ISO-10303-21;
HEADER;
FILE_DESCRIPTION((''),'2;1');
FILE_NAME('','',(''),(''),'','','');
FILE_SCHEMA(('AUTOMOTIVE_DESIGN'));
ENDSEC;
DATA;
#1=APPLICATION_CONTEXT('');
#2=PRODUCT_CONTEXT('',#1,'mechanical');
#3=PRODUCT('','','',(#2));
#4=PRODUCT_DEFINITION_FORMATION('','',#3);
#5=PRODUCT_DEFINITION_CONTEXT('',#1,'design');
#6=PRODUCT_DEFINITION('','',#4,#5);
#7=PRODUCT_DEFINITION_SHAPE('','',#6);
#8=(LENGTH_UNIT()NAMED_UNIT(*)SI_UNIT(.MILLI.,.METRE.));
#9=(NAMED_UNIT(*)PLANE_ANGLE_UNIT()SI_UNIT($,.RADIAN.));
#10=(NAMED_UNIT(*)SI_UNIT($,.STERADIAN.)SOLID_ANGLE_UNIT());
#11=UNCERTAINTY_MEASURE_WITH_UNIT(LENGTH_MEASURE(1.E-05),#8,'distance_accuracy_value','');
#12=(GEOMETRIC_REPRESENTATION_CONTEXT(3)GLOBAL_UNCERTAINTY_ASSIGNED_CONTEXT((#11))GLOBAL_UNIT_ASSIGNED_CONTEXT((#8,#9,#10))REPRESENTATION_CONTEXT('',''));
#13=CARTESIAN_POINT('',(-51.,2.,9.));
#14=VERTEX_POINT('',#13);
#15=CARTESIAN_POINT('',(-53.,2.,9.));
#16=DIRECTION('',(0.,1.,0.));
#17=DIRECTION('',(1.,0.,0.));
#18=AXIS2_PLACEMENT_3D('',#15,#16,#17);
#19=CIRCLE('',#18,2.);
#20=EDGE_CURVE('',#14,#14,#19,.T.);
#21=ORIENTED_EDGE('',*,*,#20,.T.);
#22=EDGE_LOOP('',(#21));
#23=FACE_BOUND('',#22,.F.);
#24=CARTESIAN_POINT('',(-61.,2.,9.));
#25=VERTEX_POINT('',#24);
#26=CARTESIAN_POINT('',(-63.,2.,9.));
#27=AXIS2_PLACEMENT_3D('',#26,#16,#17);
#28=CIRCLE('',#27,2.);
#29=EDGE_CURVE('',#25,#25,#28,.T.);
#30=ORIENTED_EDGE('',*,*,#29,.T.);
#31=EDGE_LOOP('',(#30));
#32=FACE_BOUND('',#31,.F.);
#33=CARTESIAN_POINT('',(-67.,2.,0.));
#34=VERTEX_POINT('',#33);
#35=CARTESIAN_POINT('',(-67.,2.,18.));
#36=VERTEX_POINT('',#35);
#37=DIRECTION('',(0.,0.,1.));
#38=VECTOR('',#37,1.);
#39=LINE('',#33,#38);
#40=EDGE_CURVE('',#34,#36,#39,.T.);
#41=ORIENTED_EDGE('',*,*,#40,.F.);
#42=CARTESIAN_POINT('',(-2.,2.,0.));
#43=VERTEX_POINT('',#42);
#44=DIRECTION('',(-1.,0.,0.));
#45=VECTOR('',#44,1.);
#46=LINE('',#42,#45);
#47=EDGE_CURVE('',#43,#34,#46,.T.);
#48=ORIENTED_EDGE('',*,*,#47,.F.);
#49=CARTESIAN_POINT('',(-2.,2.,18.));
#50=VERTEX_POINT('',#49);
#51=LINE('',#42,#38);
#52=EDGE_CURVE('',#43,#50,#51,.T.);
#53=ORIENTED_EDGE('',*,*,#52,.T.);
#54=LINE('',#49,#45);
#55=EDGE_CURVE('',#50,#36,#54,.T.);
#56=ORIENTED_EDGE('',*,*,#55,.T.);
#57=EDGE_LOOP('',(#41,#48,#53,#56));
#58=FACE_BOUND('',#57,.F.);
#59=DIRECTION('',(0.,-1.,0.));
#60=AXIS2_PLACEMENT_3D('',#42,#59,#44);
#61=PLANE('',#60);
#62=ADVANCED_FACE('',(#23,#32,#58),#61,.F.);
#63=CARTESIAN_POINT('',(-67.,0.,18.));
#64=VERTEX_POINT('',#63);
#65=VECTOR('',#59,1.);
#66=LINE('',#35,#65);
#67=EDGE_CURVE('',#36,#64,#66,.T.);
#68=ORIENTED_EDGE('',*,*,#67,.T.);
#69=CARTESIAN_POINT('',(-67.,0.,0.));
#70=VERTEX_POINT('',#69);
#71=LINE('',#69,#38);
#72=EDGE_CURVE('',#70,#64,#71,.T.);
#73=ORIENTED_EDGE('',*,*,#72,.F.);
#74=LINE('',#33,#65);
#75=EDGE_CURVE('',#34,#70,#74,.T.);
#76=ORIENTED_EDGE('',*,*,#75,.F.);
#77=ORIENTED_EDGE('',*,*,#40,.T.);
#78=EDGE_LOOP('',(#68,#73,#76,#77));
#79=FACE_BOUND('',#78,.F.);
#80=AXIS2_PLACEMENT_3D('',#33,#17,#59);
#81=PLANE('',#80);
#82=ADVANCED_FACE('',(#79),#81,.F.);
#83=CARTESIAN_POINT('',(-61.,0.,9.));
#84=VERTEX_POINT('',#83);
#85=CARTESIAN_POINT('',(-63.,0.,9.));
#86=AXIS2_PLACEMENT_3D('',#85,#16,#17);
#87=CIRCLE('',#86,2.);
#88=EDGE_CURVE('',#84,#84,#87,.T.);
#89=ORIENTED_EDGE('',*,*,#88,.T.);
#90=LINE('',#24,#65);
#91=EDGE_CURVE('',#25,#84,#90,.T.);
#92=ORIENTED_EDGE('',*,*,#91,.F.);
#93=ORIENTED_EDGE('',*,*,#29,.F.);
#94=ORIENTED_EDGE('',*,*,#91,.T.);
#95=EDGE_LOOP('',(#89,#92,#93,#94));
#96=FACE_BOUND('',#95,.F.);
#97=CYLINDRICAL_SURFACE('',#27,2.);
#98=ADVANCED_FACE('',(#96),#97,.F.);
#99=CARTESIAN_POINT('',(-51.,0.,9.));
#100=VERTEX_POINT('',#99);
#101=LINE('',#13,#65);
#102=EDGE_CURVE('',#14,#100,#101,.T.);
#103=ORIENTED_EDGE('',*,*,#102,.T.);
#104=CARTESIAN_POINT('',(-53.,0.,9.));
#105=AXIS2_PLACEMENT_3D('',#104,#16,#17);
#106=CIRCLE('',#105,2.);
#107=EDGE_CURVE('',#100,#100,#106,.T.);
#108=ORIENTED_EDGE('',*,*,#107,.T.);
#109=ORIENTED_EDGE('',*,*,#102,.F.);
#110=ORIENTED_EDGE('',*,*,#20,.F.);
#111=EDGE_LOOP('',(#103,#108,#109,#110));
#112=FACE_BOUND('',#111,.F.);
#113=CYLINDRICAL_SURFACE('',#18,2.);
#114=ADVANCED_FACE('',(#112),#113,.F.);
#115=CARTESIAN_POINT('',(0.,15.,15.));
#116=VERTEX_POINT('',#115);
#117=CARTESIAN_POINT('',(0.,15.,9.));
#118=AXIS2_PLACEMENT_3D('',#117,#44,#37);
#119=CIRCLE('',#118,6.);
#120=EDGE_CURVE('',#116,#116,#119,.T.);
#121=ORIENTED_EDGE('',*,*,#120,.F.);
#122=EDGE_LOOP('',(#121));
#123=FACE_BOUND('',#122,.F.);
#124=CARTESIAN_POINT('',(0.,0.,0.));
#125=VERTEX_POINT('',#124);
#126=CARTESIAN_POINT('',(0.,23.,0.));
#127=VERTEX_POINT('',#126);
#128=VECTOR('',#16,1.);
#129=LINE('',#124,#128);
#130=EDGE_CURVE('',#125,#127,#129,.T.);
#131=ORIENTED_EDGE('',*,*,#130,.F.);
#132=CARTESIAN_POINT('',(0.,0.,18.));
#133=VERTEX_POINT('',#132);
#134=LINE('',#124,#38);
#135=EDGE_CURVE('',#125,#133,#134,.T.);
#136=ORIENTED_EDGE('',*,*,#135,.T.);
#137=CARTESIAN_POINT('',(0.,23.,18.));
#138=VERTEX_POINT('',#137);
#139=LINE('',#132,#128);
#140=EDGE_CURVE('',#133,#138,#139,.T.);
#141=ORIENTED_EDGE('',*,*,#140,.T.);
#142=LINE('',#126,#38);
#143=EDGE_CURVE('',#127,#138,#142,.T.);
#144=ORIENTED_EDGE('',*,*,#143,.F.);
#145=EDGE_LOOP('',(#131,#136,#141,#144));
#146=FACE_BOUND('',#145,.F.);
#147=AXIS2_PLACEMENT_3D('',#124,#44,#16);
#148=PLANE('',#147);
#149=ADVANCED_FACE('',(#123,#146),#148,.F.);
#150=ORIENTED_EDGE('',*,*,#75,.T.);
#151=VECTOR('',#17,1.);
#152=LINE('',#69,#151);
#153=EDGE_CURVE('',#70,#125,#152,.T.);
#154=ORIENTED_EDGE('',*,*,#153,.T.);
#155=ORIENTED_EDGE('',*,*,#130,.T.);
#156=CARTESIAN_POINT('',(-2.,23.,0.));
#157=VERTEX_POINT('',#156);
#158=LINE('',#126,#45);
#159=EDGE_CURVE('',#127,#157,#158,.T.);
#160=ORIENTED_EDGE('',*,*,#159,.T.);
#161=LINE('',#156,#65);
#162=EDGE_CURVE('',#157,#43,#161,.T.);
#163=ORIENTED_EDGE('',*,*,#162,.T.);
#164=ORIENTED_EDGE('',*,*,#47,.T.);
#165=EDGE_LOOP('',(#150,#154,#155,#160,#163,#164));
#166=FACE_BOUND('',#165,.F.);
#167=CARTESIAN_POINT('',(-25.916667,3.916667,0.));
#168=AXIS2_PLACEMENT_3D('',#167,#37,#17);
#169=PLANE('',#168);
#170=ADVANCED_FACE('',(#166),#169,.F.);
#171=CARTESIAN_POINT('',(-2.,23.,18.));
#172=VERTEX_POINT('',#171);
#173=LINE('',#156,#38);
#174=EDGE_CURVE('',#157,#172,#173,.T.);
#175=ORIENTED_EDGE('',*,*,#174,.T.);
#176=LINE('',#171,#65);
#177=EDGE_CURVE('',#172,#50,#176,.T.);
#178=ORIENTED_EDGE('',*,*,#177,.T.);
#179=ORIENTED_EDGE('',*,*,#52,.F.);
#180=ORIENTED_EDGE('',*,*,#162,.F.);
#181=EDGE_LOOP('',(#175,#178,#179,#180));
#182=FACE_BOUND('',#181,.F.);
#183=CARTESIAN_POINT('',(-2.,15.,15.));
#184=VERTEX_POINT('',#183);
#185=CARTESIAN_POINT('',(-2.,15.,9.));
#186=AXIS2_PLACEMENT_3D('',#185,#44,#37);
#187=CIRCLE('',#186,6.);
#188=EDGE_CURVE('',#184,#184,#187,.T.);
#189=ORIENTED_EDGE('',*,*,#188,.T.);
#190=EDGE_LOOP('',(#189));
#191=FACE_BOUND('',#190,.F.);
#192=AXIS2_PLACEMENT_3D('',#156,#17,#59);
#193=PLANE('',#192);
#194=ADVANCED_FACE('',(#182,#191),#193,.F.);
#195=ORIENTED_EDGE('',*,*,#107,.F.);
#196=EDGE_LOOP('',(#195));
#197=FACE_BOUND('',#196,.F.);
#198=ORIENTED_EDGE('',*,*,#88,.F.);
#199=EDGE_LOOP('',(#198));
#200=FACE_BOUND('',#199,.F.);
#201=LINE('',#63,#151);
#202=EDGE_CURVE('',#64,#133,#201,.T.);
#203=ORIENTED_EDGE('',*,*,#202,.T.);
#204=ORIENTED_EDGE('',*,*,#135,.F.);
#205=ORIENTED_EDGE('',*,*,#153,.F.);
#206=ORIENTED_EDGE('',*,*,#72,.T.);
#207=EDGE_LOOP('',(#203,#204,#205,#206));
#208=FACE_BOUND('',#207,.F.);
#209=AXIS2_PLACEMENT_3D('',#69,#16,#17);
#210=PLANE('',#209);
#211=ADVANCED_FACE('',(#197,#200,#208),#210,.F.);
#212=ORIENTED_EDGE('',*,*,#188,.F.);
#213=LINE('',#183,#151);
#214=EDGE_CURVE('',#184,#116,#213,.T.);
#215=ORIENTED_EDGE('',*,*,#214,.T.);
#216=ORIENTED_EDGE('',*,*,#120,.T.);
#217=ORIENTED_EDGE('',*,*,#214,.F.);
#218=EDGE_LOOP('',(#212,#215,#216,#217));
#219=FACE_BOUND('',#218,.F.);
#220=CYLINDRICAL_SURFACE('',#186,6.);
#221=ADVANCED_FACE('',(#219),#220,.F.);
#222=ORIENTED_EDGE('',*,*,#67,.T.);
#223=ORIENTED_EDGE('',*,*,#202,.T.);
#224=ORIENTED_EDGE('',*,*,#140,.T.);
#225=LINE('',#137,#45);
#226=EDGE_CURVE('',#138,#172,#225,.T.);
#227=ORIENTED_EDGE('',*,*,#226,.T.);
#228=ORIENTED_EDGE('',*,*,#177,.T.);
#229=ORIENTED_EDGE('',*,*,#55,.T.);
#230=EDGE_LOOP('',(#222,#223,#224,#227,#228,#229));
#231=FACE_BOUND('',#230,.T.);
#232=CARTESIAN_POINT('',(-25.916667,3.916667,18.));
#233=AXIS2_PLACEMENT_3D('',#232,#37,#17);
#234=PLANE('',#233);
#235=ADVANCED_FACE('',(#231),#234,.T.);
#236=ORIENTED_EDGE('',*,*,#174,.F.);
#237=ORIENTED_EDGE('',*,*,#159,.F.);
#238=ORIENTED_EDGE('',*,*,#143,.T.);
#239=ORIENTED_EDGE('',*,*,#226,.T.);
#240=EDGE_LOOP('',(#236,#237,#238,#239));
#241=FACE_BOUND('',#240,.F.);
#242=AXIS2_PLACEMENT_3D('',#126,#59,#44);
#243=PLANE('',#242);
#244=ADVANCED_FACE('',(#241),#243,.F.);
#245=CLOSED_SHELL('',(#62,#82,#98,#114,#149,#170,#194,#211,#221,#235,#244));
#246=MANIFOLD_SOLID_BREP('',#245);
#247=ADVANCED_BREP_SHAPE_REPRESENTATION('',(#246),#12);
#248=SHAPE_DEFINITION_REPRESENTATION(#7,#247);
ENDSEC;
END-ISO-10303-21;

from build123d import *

# Parameters (mm, degrees)
BOSS_EXTRUDE1_DEPTH = 18
CUT_EXTRUDE1_REACH  = 4
SKETCH2_R           = 6
CUT_EXTRUDE2_REACH  = 4
SKETCH3_R           = 2


with BuildPart() as part:
    # Sketch1 → Boss-Extrude1 (new body)
    with BuildSketch(Plane.XY):
        Polygon((0, 0), (0, 23), (-2, 23), (-2, 2), (-67, 2), (-67, 0), align=None)
    extrude(amount=BOSS_EXTRUDE1_DEPTH)

    # Sketch2 → Cut-Extrude1 (cut, up to next)
    with BuildSketch(Plane.ZY.offset(2), mode=Mode.PRIVATE) as cut_extrude1_sk1:
        with Locations((9, 15)):
            Circle(SKETCH2_R)
    cut_extrude1_tool1 = extrude(cut_extrude1_sk1.sketch, amount=-CUT_EXTRUDE1_REACH, mode=Mode.PRIVATE) & part.part
    add(cut_extrude1_tool1.solids().sort_by_distance((-2, 15, 9))[0], mode=Mode.SUBTRACT)

    # Sketch3 → Cut-Extrude2 (cut, up to next)
    with BuildSketch(Plane(origin=(0, 2, 0), x_dir=(1, 0, 0), z_dir=(0, 1, 0)), mode=Mode.PRIVATE) as cut_extrude2_sk1:
        with Locations((-63, -9)):
            Circle(SKETCH3_R)
    cut_extrude2_tool1 = extrude(cut_extrude2_sk1.sketch, amount=-CUT_EXTRUDE2_REACH, mode=Mode.PRIVATE) & part.part
    add(cut_extrude2_tool1.solids().sort_by_distance((-63, 2, 9))[0], mode=Mode.SUBTRACT)
    # Sketch3 → Cut-Extrude2 (cut, up to next)
    with BuildSketch(Plane(origin=(0, 2, 0), x_dir=(1, 0, 0), z_dir=(0, 1, 0)), mode=Mode.PRIVATE) as cut_extrude2_sk2:
        with Locations((-53, -9)):
            Circle(SKETCH3_R)
    cut_extrude2_tool2 = extrude(cut_extrude2_sk2.sketch, amount=-CUT_EXTRUDE2_REACH, mode=Mode.PRIVATE) & part.part
    add(cut_extrude2_tool2.solids().sort_by_distance((-53, 2, 9))[0], mode=Mode.SUBTRACT)


solid = part.part
